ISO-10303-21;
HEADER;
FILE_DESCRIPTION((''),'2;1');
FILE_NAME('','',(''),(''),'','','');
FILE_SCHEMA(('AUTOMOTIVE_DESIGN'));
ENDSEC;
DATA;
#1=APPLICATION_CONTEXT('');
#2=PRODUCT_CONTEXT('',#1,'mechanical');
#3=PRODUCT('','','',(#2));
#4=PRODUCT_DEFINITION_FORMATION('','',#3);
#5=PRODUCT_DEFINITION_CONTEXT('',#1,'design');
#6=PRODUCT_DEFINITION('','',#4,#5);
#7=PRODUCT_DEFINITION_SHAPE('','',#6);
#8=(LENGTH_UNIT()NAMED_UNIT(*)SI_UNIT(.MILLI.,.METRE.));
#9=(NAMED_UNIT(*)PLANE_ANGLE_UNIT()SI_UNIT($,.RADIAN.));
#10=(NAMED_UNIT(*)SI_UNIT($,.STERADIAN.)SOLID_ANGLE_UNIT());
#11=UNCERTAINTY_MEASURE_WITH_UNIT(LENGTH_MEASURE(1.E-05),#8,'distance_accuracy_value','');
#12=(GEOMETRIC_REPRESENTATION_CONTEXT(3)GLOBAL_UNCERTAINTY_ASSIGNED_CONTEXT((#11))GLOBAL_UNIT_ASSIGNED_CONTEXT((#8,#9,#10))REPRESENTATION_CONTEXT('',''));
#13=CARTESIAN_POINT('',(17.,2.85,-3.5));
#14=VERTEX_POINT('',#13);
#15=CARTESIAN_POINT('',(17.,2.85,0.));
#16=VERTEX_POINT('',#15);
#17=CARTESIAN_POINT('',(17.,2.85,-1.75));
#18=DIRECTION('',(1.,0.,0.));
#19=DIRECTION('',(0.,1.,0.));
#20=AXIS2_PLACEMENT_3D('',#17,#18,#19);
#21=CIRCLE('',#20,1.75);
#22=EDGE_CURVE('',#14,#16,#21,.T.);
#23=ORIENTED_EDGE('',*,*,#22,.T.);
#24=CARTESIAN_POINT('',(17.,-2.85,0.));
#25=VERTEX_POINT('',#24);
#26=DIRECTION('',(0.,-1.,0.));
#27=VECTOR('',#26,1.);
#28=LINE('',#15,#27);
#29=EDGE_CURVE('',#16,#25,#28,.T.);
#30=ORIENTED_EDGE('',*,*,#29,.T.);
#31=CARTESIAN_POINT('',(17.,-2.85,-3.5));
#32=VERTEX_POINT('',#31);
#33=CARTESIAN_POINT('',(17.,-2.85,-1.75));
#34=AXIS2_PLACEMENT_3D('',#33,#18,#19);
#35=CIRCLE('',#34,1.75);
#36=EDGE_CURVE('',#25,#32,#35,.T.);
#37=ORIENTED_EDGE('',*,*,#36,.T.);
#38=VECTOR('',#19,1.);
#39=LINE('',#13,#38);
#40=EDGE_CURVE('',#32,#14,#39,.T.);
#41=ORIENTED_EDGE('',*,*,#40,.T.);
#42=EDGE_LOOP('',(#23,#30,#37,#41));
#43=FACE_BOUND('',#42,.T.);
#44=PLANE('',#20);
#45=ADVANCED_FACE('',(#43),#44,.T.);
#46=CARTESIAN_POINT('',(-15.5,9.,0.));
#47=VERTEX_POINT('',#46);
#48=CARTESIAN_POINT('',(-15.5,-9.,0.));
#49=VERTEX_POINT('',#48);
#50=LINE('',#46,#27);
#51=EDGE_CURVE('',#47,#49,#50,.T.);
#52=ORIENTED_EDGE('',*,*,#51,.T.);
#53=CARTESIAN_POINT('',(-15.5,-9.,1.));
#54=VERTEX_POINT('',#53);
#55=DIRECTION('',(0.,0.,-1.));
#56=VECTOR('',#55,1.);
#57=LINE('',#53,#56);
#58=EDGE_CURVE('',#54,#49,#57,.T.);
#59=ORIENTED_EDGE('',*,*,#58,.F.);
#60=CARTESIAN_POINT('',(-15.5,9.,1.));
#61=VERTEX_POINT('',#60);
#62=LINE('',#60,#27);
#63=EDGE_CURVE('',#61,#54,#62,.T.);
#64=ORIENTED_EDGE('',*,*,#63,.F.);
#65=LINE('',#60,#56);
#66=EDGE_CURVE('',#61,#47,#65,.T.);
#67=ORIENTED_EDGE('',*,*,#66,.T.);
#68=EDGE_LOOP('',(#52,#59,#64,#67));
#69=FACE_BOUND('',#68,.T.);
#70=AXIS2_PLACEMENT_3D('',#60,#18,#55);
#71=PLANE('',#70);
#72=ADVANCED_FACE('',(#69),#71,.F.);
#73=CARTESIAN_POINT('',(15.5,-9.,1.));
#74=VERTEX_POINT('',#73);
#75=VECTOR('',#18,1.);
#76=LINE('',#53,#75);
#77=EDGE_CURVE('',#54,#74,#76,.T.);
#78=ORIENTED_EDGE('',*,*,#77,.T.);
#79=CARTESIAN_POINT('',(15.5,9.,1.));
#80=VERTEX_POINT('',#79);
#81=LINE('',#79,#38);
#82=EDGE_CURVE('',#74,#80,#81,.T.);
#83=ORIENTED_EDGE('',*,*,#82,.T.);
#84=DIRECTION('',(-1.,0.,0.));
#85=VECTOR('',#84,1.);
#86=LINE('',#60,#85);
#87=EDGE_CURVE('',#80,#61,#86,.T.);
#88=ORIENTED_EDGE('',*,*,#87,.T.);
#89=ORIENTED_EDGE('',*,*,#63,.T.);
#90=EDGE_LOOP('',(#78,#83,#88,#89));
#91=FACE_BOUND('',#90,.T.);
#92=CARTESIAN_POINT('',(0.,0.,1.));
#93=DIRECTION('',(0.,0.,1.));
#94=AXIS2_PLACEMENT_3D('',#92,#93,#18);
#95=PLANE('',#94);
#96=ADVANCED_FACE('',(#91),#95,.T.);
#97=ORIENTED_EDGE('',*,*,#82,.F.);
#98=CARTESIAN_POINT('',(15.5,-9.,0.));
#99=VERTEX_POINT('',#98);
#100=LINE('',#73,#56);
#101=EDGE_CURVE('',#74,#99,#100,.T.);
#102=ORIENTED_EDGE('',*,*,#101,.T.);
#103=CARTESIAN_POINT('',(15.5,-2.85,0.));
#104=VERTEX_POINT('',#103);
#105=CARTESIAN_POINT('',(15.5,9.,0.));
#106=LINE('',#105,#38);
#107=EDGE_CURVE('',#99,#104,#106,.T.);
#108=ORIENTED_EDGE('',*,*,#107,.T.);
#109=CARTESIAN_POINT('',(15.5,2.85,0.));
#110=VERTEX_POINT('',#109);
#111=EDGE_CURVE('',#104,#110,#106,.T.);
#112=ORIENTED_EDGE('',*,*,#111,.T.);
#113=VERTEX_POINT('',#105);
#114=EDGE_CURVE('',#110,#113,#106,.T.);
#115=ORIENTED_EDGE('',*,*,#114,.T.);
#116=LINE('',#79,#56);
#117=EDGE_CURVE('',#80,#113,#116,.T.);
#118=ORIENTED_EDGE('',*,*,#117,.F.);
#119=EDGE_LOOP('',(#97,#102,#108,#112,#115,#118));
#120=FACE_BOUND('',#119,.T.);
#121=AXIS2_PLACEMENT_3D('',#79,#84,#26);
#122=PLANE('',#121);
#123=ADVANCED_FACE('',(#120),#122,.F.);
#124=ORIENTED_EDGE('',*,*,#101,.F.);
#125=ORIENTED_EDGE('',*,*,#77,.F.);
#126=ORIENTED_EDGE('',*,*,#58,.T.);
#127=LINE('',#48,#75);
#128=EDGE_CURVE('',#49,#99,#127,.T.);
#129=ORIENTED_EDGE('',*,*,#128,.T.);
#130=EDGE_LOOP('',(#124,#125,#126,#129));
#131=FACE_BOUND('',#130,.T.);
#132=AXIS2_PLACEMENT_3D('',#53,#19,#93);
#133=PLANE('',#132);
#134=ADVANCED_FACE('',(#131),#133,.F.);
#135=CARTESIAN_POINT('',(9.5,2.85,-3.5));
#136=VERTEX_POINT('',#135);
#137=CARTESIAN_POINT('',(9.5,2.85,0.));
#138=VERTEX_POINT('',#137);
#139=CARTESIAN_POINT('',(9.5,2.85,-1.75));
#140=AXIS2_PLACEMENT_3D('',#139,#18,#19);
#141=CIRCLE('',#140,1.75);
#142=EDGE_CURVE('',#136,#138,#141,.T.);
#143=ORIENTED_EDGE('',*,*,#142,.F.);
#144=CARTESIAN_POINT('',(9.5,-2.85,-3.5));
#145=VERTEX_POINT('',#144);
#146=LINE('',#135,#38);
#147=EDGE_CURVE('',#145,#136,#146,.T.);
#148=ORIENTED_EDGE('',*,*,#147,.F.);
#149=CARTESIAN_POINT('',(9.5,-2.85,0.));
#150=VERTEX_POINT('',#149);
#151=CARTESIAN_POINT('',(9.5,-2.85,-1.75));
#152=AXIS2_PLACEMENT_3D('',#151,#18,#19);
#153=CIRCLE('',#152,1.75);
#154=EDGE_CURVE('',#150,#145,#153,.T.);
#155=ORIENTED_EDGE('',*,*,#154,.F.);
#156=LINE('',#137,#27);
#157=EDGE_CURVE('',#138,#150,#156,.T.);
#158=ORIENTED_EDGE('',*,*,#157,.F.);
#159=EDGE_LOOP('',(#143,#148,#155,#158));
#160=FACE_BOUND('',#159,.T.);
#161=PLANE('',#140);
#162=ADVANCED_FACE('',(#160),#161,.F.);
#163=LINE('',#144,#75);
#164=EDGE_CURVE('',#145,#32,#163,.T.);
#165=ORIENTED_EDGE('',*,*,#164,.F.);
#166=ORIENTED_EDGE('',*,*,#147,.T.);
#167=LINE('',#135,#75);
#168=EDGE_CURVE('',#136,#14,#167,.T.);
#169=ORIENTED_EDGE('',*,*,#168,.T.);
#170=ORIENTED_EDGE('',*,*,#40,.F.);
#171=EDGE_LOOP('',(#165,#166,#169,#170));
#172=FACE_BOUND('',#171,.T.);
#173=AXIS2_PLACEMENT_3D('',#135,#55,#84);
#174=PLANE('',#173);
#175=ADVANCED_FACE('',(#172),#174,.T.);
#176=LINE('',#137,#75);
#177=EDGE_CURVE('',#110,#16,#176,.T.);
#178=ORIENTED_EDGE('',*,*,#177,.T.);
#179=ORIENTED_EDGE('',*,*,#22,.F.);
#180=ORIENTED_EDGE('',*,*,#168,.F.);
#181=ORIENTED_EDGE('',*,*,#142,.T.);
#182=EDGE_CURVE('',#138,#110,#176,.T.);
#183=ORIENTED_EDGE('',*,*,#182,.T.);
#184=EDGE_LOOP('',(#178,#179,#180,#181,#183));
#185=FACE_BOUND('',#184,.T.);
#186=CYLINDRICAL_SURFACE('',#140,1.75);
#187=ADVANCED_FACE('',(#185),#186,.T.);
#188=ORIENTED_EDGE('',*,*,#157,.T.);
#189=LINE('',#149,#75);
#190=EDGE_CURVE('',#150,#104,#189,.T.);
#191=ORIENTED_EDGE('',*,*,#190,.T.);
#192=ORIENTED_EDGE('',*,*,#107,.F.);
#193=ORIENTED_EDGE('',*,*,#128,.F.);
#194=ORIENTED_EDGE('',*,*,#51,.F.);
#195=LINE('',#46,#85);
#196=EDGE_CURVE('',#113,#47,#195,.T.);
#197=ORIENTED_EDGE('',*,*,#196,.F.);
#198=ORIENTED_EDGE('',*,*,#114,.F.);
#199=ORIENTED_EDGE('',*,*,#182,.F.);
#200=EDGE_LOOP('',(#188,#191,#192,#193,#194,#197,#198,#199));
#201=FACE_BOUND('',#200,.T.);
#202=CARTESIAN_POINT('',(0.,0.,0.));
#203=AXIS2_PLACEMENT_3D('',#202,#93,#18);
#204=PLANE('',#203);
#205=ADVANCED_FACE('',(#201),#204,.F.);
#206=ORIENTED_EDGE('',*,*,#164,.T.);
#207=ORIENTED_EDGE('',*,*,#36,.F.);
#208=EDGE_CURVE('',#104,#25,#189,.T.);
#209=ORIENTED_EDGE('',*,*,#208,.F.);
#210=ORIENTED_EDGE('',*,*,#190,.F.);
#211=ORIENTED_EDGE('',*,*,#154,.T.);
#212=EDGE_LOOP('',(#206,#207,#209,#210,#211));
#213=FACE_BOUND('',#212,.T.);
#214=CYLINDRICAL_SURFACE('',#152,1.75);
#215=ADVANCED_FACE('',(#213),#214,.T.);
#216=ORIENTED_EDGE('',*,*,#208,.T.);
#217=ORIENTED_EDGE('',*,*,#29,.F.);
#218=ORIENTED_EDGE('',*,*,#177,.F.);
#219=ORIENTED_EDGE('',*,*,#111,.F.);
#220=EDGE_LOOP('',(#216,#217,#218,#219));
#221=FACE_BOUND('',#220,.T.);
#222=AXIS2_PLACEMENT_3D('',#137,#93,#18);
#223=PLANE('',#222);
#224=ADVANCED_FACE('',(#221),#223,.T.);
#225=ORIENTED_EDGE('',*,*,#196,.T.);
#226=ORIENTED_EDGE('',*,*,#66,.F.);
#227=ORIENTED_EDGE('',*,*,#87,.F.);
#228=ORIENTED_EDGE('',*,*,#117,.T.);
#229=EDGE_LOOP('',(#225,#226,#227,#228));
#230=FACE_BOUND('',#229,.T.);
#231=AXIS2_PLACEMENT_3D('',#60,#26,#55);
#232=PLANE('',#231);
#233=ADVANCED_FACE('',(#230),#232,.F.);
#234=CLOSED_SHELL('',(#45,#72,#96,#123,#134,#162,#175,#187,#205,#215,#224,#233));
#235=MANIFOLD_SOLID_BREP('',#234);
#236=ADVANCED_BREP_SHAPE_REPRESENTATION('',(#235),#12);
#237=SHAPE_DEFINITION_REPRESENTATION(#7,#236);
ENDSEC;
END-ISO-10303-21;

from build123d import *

# Parameters (mm, degrees)
ESBO_O1_W                     = 31
ESBO_O1_H                     = 18
RESSALTO_EXTRUS_O1_DEPTH      = 1
RESSALTO_EXTRUS_O2_DEPTH      = 1.5
RESSALTO_EXTRUS_O2_DEPTH_BACK = 6


with BuildPart() as part:
    # Esboço1 → Ressalto-extrusão1 (new body)
    with BuildSketch(Plane.XY):
        Rectangle(ESBO_O1_W, ESBO_O1_H)
    extrude(amount=RESSALTO_EXTRUS_O1_DEPTH)

    # Esboço2 → Ressalto-extrusão2 (add, two sides)
    with BuildSketch(Plane(origin=(15.5, 0, 0), x_dir=(0, 0, -1), z_dir=(1, 0, 0))) as ressalto_extrus_o2_sk:
        with BuildLine():
            Line((3.5, 2.85), (3.5, -2.85))
            ThreePointArc((3.5, -2.85), (1.75, -4.6), (0, -2.85))
            Line((0, -2.85), (0, 2.85))
            ThreePointArc((0, 2.85), (1.75, 4.6), (3.5, 2.85))
        make_face()
    extrude(amount=RESSALTO_EXTRUS_O2_DEPTH)
    extrude(ressalto_extrus_o2_sk.sketch, amount=-RESSALTO_EXTRUS_O2_DEPTH_BACK)


solid = part.part
